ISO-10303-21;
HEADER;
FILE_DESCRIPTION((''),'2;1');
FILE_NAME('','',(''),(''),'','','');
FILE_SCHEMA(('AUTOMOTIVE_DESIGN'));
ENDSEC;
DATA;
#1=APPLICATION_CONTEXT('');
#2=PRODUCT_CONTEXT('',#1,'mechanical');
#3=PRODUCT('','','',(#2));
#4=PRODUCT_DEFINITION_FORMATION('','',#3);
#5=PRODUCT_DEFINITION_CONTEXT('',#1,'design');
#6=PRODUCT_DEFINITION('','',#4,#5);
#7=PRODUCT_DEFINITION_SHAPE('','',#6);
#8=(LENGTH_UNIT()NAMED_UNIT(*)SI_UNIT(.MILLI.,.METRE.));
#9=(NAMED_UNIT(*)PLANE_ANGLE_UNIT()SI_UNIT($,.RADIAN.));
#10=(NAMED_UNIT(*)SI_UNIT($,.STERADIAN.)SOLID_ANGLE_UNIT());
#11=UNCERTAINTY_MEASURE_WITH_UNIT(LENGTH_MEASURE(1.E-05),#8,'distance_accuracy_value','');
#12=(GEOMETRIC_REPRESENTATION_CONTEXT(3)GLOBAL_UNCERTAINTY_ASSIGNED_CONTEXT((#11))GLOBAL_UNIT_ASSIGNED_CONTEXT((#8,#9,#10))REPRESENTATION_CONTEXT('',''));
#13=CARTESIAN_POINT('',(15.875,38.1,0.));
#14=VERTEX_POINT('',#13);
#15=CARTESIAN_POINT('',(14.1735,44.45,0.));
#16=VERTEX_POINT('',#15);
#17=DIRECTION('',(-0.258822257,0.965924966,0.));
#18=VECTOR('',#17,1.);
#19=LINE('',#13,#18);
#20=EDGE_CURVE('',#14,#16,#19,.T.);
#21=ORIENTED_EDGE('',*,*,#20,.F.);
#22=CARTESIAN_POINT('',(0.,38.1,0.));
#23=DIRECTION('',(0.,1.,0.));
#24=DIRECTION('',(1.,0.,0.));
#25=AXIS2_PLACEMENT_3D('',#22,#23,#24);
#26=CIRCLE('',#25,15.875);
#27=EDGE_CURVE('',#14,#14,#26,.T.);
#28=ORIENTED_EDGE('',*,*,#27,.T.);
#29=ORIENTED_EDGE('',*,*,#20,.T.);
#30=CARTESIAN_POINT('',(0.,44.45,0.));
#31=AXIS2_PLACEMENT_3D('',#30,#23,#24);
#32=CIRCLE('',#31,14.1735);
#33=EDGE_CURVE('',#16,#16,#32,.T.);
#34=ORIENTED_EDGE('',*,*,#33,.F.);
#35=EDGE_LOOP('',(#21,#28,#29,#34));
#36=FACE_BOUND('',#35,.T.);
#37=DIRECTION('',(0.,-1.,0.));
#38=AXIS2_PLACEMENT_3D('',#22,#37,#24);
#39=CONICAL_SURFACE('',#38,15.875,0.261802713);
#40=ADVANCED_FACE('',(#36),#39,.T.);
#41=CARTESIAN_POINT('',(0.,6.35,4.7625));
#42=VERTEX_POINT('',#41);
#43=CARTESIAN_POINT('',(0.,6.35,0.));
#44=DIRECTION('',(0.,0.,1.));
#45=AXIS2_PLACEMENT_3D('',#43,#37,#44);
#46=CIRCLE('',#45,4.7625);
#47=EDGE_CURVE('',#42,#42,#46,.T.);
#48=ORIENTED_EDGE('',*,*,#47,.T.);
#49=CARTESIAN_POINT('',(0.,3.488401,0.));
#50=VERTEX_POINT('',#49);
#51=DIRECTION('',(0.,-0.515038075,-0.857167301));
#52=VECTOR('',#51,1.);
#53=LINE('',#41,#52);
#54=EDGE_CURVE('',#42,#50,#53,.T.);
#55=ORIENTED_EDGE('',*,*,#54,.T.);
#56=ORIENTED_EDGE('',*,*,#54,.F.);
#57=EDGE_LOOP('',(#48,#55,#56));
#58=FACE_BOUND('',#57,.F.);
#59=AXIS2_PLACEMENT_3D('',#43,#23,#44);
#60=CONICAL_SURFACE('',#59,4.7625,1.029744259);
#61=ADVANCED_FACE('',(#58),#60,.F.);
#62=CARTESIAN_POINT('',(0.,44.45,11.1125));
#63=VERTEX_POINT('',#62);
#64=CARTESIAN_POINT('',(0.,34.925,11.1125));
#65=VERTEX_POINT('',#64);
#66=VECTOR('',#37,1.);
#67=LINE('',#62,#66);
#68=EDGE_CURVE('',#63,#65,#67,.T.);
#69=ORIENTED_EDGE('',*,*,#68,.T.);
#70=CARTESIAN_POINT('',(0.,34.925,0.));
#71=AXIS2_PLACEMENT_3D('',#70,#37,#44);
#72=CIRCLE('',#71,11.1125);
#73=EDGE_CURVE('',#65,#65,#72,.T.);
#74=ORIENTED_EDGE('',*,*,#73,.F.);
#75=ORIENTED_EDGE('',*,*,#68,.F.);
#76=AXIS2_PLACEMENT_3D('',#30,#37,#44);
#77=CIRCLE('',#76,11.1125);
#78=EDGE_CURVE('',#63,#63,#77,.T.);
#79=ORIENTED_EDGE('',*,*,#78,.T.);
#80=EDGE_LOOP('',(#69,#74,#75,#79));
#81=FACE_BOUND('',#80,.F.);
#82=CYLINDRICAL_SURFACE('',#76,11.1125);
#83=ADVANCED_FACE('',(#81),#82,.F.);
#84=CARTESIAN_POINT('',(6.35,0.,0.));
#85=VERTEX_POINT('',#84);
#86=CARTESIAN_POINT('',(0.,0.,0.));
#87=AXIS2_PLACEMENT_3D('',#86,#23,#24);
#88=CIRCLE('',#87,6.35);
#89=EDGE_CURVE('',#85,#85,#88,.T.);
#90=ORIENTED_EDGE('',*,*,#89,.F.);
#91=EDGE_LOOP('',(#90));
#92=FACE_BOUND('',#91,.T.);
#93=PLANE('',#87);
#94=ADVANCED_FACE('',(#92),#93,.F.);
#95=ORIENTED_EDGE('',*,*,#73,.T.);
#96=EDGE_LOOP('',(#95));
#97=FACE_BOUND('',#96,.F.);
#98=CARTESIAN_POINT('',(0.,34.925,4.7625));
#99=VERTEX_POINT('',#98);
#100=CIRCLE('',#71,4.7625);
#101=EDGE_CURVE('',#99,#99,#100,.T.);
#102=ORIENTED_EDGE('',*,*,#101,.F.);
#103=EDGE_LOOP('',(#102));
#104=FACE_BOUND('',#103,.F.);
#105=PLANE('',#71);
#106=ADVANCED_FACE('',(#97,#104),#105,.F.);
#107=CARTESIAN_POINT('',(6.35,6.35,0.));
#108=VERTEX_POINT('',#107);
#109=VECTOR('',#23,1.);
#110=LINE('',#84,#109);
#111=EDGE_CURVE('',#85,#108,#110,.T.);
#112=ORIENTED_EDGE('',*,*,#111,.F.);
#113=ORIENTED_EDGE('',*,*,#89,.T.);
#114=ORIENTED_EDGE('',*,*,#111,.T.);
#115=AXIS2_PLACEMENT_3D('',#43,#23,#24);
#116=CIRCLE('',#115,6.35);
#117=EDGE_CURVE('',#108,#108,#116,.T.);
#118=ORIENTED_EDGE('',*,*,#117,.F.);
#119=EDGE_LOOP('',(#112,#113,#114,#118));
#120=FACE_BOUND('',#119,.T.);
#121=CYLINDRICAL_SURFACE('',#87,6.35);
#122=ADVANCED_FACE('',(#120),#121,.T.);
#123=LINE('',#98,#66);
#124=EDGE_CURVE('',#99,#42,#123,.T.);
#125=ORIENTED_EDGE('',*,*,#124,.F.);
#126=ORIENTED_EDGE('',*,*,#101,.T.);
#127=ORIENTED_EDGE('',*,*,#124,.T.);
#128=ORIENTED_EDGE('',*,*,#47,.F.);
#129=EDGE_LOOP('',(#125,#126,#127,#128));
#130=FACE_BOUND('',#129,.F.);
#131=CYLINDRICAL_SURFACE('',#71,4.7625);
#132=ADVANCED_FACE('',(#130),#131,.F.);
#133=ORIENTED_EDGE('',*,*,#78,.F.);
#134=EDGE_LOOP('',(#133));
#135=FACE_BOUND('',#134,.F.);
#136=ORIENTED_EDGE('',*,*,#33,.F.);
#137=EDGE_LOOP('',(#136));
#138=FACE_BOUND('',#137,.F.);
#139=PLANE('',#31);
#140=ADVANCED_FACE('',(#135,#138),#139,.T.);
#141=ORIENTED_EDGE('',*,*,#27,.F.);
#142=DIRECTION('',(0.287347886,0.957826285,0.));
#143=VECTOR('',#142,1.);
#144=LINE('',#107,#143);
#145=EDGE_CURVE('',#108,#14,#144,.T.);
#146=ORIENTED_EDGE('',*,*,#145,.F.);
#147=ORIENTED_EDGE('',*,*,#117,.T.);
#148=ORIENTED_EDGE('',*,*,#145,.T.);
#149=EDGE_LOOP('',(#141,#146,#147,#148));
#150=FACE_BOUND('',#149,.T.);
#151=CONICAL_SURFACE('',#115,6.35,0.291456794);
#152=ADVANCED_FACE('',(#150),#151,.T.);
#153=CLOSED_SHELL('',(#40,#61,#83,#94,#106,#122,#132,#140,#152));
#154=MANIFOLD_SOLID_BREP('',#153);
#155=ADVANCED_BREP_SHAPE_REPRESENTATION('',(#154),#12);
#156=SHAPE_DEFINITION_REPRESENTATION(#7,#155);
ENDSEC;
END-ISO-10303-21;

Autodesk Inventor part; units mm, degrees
ref_plane "XZ Plane" through (0, 0, 0) normal (0, 1, 0) x (-1, 0, 0)
ref_plane "XY Plane" through (0, 0, 0) normal (0, 0, 1) x (1, 0, 0)
sketch "Sketch1" plane through (0, 0, 0) normal (0, 0, 1) x (1, 0, 0)
  line L0 (0, 0) -> (6.35, 0)
  line L1 (6.35, 0) -> (6.35, 6.35)
  line L2 (0, 0) -> (0, 44.45)
  line L3 (0, 44.45) -> (14.1735, 44.45)
  line L4 (6.35, 6.35) -> (15.875, 38.1)
  line L5 (15.875, 38.1) -> (14.1735, 44.45)
  dimension "d0" = 6.35
  dimension "d1" = 6.35
  dimension "d2" = 44.45
  dimension "d4" = 38.1
  dimension "d5" = 44.45
  dimension "d6" = 15.875
  dimension "d7" = 75
revolve "Revolution1" add sketch "Sketch1" angle 360 about axis through (0, 0, 0) along (0, 1, 0)
sketch "Sketch2" plane through (0, 44.45, 0) normal (0, 1, 0) x (1, 0, 0)
  point P0 (0, 0)
  point P1 (0, 0)
hole "Hole1" at (0, 44.45, 0) direction (0, -1, 0) diameter 9.525 depth 38.1 tip angle 118 counterbore diameter 22.225 counterbore depth 9.525
properties part number "Sun_Stack"
